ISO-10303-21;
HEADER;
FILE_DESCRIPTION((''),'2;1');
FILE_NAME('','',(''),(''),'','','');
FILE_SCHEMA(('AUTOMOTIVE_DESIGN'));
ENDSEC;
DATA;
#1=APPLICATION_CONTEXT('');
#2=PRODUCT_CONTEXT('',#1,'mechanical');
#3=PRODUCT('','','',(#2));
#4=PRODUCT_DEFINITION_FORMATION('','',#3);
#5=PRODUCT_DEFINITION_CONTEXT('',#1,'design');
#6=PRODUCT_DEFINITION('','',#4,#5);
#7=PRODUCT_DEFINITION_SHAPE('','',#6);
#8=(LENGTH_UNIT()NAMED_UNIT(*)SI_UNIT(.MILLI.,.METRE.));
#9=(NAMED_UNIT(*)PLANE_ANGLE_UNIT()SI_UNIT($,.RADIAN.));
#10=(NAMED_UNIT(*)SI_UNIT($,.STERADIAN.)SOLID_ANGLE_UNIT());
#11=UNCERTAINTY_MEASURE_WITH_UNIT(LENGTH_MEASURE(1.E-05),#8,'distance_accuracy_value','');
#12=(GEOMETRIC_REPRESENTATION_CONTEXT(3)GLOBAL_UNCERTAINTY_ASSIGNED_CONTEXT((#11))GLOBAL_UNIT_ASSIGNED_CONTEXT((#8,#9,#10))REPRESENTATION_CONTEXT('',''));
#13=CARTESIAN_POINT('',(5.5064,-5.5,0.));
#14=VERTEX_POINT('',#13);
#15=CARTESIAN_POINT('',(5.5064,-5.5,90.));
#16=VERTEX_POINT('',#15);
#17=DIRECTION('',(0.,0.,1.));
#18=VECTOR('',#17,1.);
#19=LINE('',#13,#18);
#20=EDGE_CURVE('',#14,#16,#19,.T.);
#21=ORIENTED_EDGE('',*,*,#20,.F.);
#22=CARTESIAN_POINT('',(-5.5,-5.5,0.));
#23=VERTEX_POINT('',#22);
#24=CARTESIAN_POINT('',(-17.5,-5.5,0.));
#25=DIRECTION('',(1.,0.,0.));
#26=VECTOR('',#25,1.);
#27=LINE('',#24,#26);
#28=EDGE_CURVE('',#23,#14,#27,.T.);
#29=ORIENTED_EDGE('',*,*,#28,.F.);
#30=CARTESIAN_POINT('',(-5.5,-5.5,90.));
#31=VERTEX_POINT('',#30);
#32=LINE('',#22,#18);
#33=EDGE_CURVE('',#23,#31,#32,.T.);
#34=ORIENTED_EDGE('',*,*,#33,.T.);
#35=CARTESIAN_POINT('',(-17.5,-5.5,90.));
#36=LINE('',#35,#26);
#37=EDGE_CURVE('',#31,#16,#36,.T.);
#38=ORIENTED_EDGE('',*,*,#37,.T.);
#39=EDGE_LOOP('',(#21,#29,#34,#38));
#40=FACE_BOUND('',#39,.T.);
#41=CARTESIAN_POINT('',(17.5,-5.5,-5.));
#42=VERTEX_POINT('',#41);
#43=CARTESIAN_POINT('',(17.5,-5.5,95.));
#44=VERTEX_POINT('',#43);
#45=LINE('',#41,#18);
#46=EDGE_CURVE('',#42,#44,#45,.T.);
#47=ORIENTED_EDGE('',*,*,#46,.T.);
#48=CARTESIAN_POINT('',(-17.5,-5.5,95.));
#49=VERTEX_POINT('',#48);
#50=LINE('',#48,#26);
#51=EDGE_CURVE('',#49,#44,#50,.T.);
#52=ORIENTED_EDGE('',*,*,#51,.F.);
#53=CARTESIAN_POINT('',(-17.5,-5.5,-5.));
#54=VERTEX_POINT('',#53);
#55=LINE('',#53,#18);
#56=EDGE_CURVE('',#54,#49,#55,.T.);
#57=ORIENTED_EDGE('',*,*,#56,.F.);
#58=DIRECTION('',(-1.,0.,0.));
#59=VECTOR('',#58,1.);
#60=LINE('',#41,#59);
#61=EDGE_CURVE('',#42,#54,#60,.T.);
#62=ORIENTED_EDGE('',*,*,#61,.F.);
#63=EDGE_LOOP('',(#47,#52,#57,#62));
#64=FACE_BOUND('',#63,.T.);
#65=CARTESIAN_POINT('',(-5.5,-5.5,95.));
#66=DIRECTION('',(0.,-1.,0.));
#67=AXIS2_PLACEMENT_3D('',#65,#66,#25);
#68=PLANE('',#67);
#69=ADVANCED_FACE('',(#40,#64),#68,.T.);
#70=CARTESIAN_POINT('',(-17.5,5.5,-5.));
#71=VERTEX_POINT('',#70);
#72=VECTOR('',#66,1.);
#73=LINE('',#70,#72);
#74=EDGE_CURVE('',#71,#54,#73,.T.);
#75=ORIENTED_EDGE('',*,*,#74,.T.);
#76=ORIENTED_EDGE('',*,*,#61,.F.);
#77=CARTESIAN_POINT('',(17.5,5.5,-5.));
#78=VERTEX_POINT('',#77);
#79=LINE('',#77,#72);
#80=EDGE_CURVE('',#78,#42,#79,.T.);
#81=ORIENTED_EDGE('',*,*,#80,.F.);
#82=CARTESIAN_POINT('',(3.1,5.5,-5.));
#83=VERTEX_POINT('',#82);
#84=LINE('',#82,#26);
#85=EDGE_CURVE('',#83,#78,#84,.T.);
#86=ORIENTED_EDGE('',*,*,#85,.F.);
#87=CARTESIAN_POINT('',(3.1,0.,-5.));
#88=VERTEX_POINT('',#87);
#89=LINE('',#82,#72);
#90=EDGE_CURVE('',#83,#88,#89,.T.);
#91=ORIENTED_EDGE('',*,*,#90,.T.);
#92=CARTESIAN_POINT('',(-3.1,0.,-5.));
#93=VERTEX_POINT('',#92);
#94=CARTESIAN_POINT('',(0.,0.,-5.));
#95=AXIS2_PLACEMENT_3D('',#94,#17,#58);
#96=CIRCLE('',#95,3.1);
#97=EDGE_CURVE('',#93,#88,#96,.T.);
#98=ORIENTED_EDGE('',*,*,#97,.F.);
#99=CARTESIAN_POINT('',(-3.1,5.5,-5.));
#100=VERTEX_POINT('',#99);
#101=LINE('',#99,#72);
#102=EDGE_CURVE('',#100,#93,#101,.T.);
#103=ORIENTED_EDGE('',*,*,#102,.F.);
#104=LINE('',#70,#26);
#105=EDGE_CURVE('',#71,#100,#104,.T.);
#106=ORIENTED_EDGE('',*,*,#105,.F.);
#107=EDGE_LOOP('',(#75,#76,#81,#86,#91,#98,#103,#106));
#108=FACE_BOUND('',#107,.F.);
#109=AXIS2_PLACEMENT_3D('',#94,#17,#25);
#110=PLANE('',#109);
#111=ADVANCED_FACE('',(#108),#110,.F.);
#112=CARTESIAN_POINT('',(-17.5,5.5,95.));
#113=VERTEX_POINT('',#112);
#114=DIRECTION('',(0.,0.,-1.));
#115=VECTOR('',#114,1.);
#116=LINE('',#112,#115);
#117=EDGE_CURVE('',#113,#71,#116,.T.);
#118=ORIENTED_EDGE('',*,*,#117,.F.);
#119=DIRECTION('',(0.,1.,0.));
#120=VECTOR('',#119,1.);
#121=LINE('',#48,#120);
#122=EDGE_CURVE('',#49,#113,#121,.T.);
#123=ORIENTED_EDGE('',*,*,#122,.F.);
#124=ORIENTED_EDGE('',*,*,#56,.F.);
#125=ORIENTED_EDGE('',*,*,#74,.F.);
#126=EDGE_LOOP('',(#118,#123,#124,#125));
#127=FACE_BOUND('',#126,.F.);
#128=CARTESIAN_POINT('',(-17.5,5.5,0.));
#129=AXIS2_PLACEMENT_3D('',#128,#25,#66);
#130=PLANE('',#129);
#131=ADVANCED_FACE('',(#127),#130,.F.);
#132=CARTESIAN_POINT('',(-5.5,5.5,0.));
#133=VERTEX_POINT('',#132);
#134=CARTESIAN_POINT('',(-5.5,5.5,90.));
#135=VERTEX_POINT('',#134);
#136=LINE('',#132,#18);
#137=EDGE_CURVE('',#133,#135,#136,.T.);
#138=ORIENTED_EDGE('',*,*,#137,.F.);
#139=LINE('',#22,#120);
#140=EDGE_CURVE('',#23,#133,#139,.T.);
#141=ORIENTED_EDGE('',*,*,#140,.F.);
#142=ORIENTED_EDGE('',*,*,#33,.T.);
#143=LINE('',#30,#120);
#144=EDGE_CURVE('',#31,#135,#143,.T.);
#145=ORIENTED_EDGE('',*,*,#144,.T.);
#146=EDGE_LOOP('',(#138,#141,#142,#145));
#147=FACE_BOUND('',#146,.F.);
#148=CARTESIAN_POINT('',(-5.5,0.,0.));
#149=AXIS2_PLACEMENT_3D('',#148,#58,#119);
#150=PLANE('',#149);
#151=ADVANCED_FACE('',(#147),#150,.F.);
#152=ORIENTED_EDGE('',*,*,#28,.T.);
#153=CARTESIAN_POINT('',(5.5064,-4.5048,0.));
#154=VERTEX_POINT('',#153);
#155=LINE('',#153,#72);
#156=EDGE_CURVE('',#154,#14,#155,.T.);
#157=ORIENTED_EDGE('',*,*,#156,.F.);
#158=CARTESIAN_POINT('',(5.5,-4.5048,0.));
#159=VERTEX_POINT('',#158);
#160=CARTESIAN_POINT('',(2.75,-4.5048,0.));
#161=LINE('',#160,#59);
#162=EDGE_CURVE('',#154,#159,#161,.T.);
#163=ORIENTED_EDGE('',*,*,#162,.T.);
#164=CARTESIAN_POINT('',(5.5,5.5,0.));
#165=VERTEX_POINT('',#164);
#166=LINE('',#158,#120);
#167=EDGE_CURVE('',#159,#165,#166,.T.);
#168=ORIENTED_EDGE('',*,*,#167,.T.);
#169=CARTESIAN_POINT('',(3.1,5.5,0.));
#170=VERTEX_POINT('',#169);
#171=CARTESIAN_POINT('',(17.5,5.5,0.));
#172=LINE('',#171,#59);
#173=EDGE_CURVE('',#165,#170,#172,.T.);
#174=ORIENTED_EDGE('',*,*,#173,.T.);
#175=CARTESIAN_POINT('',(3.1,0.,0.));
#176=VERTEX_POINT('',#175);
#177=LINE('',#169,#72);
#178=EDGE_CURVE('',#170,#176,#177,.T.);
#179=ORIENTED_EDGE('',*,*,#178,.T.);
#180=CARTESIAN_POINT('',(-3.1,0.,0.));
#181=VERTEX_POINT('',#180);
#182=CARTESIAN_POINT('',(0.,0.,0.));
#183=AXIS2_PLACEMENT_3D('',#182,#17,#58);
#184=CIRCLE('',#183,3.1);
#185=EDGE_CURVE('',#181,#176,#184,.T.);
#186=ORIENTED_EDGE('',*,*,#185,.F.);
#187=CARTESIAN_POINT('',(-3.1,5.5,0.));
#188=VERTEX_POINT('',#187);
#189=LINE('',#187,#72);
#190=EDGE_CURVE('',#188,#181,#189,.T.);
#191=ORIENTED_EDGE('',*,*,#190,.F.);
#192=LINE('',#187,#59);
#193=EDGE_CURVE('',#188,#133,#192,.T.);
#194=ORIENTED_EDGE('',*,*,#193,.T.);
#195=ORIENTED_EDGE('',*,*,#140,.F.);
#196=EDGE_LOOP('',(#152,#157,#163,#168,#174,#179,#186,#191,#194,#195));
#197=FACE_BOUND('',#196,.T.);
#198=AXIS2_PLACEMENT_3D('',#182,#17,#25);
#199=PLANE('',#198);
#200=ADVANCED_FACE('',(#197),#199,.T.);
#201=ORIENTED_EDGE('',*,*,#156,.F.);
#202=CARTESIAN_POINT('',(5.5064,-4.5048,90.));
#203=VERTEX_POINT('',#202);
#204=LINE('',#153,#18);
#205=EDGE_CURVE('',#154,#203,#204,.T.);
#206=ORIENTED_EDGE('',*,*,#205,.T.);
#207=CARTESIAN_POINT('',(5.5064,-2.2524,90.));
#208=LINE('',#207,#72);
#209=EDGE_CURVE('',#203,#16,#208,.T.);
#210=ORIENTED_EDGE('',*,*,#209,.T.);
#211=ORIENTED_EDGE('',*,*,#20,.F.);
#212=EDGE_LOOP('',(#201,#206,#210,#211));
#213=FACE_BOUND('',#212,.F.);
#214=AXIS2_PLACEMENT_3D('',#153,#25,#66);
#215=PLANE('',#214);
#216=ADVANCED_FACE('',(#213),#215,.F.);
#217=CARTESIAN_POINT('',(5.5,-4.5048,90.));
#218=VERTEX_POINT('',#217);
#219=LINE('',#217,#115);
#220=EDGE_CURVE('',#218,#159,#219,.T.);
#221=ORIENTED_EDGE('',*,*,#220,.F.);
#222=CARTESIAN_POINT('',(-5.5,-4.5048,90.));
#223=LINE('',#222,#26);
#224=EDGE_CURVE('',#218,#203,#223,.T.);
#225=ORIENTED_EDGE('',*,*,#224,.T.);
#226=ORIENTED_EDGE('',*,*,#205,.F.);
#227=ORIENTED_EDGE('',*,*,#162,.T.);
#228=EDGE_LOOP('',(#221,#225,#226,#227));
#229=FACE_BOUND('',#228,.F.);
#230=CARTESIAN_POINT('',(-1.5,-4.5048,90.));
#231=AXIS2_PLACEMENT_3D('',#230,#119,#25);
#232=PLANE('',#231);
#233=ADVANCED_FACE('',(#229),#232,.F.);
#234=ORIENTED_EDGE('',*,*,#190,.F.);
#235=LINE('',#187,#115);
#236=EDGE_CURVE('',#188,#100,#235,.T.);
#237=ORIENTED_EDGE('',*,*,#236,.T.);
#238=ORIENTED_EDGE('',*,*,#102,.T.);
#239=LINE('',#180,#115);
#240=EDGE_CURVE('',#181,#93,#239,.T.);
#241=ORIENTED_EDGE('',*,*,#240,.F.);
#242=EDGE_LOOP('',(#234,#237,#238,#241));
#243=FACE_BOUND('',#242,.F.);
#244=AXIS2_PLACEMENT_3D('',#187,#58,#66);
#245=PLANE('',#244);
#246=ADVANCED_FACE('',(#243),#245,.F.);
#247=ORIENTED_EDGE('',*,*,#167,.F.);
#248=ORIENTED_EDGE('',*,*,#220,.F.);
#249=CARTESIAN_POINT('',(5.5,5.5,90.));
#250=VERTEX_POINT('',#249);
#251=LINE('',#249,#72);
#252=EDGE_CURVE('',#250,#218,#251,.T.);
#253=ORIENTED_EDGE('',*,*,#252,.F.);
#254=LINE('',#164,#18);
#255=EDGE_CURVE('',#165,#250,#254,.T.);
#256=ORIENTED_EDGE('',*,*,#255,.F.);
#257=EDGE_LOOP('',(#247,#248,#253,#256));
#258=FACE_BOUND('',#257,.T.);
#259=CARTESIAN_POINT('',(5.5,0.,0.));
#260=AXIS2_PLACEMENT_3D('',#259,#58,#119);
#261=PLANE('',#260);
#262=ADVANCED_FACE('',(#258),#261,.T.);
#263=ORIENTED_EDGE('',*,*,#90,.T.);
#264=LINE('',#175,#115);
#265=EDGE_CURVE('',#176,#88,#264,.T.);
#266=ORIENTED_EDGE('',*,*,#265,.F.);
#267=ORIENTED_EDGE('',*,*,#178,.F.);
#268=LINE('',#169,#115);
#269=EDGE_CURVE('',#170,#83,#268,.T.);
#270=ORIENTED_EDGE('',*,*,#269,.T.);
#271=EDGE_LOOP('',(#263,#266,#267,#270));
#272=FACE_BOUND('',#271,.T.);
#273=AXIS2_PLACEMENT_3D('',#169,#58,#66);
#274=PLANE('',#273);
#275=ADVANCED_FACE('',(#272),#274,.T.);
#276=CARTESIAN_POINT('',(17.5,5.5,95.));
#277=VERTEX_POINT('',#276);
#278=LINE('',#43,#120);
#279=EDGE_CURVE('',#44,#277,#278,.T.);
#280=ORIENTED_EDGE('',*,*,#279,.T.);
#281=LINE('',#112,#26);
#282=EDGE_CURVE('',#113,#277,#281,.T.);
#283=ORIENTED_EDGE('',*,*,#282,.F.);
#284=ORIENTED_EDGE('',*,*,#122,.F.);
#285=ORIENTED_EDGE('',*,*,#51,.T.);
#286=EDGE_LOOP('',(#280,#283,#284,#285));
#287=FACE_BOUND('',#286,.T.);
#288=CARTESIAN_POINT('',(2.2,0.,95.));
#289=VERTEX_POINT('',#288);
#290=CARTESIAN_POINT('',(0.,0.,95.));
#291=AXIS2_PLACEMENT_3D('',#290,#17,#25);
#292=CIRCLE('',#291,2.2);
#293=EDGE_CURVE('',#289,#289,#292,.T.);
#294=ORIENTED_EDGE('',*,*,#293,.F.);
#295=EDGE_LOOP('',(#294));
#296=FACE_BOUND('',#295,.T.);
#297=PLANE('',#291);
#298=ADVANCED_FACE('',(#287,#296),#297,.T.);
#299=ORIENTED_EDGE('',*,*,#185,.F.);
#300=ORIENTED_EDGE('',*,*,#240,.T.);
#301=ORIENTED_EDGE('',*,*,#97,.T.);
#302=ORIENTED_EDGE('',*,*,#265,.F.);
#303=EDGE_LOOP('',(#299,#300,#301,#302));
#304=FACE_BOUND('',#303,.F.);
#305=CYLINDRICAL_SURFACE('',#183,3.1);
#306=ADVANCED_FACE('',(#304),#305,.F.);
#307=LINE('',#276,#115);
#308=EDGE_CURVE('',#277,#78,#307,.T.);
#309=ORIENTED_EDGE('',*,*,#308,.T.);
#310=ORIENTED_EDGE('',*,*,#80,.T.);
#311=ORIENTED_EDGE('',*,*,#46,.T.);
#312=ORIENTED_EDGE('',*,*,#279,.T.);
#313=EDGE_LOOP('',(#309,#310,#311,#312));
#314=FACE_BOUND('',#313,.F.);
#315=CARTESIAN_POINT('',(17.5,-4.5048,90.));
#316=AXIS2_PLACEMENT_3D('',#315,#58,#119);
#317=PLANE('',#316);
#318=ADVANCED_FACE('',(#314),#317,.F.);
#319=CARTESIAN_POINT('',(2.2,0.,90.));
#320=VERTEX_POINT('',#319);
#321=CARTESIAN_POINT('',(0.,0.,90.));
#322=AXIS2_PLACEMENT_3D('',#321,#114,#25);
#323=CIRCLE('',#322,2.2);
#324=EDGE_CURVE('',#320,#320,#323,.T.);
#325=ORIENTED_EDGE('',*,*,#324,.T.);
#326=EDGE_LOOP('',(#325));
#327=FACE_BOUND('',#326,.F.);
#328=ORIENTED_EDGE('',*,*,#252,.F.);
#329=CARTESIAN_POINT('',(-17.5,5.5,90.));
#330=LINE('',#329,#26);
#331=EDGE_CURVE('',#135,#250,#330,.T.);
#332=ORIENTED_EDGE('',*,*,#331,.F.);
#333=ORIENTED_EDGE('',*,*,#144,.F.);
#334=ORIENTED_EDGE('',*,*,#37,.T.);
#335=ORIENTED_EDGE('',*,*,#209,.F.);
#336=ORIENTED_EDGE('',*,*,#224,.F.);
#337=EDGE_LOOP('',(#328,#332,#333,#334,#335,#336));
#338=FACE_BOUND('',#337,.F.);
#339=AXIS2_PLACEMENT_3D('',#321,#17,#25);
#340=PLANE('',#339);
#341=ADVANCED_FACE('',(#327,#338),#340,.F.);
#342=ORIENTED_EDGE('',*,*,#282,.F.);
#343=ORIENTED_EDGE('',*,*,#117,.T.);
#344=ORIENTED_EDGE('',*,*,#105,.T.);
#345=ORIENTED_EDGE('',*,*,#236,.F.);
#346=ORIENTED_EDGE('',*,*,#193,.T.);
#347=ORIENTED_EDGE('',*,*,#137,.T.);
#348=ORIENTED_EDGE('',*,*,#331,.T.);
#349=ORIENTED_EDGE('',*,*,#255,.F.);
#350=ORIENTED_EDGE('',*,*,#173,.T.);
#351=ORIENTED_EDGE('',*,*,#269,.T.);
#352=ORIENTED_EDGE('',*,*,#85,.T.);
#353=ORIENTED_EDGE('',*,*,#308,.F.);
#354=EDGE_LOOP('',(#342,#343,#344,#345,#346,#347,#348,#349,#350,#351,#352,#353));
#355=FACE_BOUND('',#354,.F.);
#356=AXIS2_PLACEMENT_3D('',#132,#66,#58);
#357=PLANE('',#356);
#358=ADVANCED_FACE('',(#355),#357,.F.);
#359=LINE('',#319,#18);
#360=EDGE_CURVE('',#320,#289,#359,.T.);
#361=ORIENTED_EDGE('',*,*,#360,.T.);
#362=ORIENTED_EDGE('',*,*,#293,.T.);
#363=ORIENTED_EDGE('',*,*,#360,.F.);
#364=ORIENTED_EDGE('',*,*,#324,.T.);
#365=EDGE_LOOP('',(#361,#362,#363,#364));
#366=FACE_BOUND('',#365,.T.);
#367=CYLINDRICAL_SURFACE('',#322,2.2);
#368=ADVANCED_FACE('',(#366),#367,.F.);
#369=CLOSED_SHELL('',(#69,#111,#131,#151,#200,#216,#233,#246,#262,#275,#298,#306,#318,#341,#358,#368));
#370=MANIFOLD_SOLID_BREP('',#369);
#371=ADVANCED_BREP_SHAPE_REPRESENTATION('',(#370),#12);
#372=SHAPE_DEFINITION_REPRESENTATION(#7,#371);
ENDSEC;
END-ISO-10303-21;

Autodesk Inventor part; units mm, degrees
ref_plane "YZ Plane" through (0, 0, 0) normal (1, 0, 0) x (0, 1, 0)
ref_plane "XZ Plane" through (0, 0, 0) normal (0, 1, 0) x (-1, 0, 0)
ref_plane "XY Plane" through (0, 0, 0) normal (0, 0, 1) x (1, 0, 0)
sketch "Sketch1" plane through (0, 0, 0) normal (0, 0, 1) x (1, 0, 0)
  arc A0 (-3.1, 0) -> (3.1, 0) centre (0, 0) ccw
  arc A1 (-5.5, 0) -> (5.5, 0) centre (0, 0) ccw
  line L0 (-3.1, 0) -> (-5.5, 0)
  line L1 (-5.5, 0) -> (-5.5, 5.5)
  line L2 (-5.5, 5.5) -> (-3.1, 5.5)
  line L3 (-3.1, 5.5) -> (-3.1, 0)
  line L4 (3.1, 0) -> (5.5, 0)
  line L5 (5.5, 0) -> (5.5, 5.5)
  line L6 (5.5, 5.5) -> (3.1, 5.5)
  line L7 (3.1, 5.5) -> (3.1, 0)
  line L8 (-5.5, 0) -> (-5.5, 5.5)
  line L9 (-5.5, 5.5) -> (-17.5, 5.5)
  line L10 (-17.5, 5.5) -> (-17.5, 0)
  line L11 (-17.5, 0) -> (-5.5, 0)
  line L12 (5.5, 0) -> (5.5, 5.5)
  line L13 (5.5, 5.5) -> (17.5, 5.5)
  line L14 (17.5, 5.5) -> (17.5, 0)
  line L15 (17.5, 0) -> (5.5, 0)
  line L16 (17.5, 0) -> (17.5, -5.5)
  line L17 (17.5, -5.5) -> (-17.5, -5.5)
  line L18 (-17.5, -5.5) -> (-17.5, 0)
  dimension "d0" = 6.2
  dimension "d1" = 11
  dimension "d2" = 12
  dimension "d3" = 12
extrude "Extr-legs" add sketch "Sketch1" along normal blind 90 contours L11 L10 L9 L1 | L5 L13 L14 L15
extrude "Extr-base" add sketch "Sketch1" against normal blind 5 contours A0 L4 A1 L0 | L0 L1 L2 L3 | L7 L6 L5 L4 | L11 L10 L9 L1 | L5 L13 L14 L15
sketch "Sketch2" plane through (0, 0, 90) normal (0, 0, 1) x (1, 0, 0)
  circle A0 centre (0, 0) radius 2.2
  circle A1 centre (0, 0) radius 4.5
  line L0 (5.5, 0) -> (17.5, 0) projected
  line L1 (-17.5, 0) -> (-5.5, 0) projected
  line L2 (-17.5, 0) -> (-17.5, 5.5)
  line L3 (-17.5, 5.5) -> (17.5, 5.5)
  line L4 (17.5, 5.5) -> (17.5, 0)
  line L5 (17.5, 0) -> (2.2, 0)
  line L6 (-2.2, 0) -> (-17.5, 0)
  line L7 (-17.5, 0) -> (-17.5, -4.5048)
  line L8 (-17.5, -4.5048) -> (17.5, -4.5048)
  line L9 (17.5, -4.5048) -> (17.5, 0)
  line L10 (17.5, 0) -> (5.5, 0) projected
  line L11 (17.5, 0) -> (-1.5, 0)
  line L12 (-1.5, 0) -> (-1.5, -4.5048)
  line L13 (-1.5, -4.5048) -> (17.5, -4.5048)
  line L14 (17.5, -4.5048) -> (17.5, 0)
  line L15 (-17.5, 0) -> (-12.5, 0)
  line L16 (-12.5, 0) -> (-12.5, -4.5048)
  line L17 (-12.5, -4.5048) -> (-17.5, -4.5048)
  line L18 (-17.5, -4.5048) -> (-17.5, 0)
  dimension "d8" = 4.4
  dimension "d9" = 9
extrude "Extr-top" add sketch "Sketch2" along normal blind 5 contours L5 A1 L12 A0 | A0 L6 A1 L5 | A0 L12 A1 L6 | L5 L0 L9 L8 L12 A1 | A1 L6 L1 L2 L3 L4 L0 L5 | A1 L12 L8 L16 L1 L6 | L16 L8 L7 L1
extrude "Extrusion4" add sketch "Sketch1" against normal up to surface (5 mm away) contours A1 L17 L18 L11 | L15 L16 L17 A1
sketch "Sketch3" plane through (0, 0, 90) normal (0, 0, -1) x (-1, 0, 0)
  line L0 (-5.5, 0) -> (-17.5, 0) projected
  line L1 (-17.5, -4.5048) -> (-17.5, 0) projected
  line L2 (17.5, -4.5048) -> (-17.5, -4.5048) projected
  line L3 (17.5, 0) -> (17.5, -4.5048) projected
  line L4 (17.5, 0) -> (5.5, 0) projected
  line L5 (5.5, 0) -> (5.5, 5.5) projected
  line L6 (-5.5, 5.5) -> (5.5, 5.5) projected
  line L7 (-5.5, 5.5) -> (-5.5, 0) projected
  circle A0 centre (0, 0) radius 2.2 projected
  line L8 (17.5, -4.5048) -> (-17.5, -4.5048) projected
  line L9 (-17.5, 0) -> (-5.5, 0)
  line L10 (-5.5, 0) -> (-5.5, -4.5048)
  line L11 (-5.5, -4.5048) -> (-17.5, -4.5048)
  line L12 (-17.5, -4.5048) -> (-17.5, 0)
  line L13 (17.5, 0) -> (5.5, 0) projected
  line L14 (5.5, 0) -> (17.5, 0)
  line L15 (17.5, 0) -> (17.5, -4.5048)
  line L16 (17.5, -4.5048) -> (5.5, -4.5048)
  line L17 (5.5, -4.5048) -> (5.5, 0)
extrude "Extrusion5" add sketch "Sketch3" along normal up to next contours L10 L2 L1 L0 | L17 L4 L3 L2
sketch "Sketch4" plane through (0, 0, 0) normal (0, 0, 1) x (1, 0, 0)
  line L0 (-17.5, -5.5) -> (17.5, -5.5) projected
  line L1 (-5.5, -4.5048) -> (-17.5, -4.5048) projected
  line L2 (-17.5, -5.5) -> (-5.5, -5.5)
  line L3 (-5.5, -5.5) -> (-5.5, -4.5048)
  line L4 (-5.5, -4.5048) -> (-17.5, -4.5048)
  line L5 (-17.5, -4.5048) -> (-17.5, -5.5)
  line L6 (17.5, -4.5048) -> (5.5, -4.5048) projected
  line L7 (-17.5, -5.5) -> (17.5, -5.5) projected
  line L8 (17.5, -4.5048) -> (5.5064, -4.5048)
  line L9 (5.5064, -4.5048) -> (5.5064, -5.5)
  line L10 (5.5064, -5.5) -> (17.5, -5.5)
  line L11 (17.5, -5.5) -> (17.5, -4.5048)
  point P0 (0, 0)
extrude "Extrusion6" add sketch "Sketch4" along normal up to surface (95 mm away)
sketch "Sketch5" plane through (0, 0, 95) normal (0, 0, 1) x (1, 0, 0)
  line L0 (-5.5, -4.5048) -> (5.5, -4.5048) projected
  line L1 (-17.5, -5.5) -> (17.5, -5.5) projected
  line L2 (-5.5, -4.5048) -> (5.516, -4.5048)
  line L3 (5.516, -4.5048) -> (5.516, -5.5)
  line L4 (5.516, -5.5) -> (-5.5, -5.5)
  line L5 (-5.5, -5.5) -> (-5.5, -4.5048)
  point P0 (0, 0)
extrude "Extrusion7" add sketch "Sketch5" against normal up to surface (5 mm away)
properties part number "cage2table-mount-M4(top)-M6(bottom)-H100mm"
